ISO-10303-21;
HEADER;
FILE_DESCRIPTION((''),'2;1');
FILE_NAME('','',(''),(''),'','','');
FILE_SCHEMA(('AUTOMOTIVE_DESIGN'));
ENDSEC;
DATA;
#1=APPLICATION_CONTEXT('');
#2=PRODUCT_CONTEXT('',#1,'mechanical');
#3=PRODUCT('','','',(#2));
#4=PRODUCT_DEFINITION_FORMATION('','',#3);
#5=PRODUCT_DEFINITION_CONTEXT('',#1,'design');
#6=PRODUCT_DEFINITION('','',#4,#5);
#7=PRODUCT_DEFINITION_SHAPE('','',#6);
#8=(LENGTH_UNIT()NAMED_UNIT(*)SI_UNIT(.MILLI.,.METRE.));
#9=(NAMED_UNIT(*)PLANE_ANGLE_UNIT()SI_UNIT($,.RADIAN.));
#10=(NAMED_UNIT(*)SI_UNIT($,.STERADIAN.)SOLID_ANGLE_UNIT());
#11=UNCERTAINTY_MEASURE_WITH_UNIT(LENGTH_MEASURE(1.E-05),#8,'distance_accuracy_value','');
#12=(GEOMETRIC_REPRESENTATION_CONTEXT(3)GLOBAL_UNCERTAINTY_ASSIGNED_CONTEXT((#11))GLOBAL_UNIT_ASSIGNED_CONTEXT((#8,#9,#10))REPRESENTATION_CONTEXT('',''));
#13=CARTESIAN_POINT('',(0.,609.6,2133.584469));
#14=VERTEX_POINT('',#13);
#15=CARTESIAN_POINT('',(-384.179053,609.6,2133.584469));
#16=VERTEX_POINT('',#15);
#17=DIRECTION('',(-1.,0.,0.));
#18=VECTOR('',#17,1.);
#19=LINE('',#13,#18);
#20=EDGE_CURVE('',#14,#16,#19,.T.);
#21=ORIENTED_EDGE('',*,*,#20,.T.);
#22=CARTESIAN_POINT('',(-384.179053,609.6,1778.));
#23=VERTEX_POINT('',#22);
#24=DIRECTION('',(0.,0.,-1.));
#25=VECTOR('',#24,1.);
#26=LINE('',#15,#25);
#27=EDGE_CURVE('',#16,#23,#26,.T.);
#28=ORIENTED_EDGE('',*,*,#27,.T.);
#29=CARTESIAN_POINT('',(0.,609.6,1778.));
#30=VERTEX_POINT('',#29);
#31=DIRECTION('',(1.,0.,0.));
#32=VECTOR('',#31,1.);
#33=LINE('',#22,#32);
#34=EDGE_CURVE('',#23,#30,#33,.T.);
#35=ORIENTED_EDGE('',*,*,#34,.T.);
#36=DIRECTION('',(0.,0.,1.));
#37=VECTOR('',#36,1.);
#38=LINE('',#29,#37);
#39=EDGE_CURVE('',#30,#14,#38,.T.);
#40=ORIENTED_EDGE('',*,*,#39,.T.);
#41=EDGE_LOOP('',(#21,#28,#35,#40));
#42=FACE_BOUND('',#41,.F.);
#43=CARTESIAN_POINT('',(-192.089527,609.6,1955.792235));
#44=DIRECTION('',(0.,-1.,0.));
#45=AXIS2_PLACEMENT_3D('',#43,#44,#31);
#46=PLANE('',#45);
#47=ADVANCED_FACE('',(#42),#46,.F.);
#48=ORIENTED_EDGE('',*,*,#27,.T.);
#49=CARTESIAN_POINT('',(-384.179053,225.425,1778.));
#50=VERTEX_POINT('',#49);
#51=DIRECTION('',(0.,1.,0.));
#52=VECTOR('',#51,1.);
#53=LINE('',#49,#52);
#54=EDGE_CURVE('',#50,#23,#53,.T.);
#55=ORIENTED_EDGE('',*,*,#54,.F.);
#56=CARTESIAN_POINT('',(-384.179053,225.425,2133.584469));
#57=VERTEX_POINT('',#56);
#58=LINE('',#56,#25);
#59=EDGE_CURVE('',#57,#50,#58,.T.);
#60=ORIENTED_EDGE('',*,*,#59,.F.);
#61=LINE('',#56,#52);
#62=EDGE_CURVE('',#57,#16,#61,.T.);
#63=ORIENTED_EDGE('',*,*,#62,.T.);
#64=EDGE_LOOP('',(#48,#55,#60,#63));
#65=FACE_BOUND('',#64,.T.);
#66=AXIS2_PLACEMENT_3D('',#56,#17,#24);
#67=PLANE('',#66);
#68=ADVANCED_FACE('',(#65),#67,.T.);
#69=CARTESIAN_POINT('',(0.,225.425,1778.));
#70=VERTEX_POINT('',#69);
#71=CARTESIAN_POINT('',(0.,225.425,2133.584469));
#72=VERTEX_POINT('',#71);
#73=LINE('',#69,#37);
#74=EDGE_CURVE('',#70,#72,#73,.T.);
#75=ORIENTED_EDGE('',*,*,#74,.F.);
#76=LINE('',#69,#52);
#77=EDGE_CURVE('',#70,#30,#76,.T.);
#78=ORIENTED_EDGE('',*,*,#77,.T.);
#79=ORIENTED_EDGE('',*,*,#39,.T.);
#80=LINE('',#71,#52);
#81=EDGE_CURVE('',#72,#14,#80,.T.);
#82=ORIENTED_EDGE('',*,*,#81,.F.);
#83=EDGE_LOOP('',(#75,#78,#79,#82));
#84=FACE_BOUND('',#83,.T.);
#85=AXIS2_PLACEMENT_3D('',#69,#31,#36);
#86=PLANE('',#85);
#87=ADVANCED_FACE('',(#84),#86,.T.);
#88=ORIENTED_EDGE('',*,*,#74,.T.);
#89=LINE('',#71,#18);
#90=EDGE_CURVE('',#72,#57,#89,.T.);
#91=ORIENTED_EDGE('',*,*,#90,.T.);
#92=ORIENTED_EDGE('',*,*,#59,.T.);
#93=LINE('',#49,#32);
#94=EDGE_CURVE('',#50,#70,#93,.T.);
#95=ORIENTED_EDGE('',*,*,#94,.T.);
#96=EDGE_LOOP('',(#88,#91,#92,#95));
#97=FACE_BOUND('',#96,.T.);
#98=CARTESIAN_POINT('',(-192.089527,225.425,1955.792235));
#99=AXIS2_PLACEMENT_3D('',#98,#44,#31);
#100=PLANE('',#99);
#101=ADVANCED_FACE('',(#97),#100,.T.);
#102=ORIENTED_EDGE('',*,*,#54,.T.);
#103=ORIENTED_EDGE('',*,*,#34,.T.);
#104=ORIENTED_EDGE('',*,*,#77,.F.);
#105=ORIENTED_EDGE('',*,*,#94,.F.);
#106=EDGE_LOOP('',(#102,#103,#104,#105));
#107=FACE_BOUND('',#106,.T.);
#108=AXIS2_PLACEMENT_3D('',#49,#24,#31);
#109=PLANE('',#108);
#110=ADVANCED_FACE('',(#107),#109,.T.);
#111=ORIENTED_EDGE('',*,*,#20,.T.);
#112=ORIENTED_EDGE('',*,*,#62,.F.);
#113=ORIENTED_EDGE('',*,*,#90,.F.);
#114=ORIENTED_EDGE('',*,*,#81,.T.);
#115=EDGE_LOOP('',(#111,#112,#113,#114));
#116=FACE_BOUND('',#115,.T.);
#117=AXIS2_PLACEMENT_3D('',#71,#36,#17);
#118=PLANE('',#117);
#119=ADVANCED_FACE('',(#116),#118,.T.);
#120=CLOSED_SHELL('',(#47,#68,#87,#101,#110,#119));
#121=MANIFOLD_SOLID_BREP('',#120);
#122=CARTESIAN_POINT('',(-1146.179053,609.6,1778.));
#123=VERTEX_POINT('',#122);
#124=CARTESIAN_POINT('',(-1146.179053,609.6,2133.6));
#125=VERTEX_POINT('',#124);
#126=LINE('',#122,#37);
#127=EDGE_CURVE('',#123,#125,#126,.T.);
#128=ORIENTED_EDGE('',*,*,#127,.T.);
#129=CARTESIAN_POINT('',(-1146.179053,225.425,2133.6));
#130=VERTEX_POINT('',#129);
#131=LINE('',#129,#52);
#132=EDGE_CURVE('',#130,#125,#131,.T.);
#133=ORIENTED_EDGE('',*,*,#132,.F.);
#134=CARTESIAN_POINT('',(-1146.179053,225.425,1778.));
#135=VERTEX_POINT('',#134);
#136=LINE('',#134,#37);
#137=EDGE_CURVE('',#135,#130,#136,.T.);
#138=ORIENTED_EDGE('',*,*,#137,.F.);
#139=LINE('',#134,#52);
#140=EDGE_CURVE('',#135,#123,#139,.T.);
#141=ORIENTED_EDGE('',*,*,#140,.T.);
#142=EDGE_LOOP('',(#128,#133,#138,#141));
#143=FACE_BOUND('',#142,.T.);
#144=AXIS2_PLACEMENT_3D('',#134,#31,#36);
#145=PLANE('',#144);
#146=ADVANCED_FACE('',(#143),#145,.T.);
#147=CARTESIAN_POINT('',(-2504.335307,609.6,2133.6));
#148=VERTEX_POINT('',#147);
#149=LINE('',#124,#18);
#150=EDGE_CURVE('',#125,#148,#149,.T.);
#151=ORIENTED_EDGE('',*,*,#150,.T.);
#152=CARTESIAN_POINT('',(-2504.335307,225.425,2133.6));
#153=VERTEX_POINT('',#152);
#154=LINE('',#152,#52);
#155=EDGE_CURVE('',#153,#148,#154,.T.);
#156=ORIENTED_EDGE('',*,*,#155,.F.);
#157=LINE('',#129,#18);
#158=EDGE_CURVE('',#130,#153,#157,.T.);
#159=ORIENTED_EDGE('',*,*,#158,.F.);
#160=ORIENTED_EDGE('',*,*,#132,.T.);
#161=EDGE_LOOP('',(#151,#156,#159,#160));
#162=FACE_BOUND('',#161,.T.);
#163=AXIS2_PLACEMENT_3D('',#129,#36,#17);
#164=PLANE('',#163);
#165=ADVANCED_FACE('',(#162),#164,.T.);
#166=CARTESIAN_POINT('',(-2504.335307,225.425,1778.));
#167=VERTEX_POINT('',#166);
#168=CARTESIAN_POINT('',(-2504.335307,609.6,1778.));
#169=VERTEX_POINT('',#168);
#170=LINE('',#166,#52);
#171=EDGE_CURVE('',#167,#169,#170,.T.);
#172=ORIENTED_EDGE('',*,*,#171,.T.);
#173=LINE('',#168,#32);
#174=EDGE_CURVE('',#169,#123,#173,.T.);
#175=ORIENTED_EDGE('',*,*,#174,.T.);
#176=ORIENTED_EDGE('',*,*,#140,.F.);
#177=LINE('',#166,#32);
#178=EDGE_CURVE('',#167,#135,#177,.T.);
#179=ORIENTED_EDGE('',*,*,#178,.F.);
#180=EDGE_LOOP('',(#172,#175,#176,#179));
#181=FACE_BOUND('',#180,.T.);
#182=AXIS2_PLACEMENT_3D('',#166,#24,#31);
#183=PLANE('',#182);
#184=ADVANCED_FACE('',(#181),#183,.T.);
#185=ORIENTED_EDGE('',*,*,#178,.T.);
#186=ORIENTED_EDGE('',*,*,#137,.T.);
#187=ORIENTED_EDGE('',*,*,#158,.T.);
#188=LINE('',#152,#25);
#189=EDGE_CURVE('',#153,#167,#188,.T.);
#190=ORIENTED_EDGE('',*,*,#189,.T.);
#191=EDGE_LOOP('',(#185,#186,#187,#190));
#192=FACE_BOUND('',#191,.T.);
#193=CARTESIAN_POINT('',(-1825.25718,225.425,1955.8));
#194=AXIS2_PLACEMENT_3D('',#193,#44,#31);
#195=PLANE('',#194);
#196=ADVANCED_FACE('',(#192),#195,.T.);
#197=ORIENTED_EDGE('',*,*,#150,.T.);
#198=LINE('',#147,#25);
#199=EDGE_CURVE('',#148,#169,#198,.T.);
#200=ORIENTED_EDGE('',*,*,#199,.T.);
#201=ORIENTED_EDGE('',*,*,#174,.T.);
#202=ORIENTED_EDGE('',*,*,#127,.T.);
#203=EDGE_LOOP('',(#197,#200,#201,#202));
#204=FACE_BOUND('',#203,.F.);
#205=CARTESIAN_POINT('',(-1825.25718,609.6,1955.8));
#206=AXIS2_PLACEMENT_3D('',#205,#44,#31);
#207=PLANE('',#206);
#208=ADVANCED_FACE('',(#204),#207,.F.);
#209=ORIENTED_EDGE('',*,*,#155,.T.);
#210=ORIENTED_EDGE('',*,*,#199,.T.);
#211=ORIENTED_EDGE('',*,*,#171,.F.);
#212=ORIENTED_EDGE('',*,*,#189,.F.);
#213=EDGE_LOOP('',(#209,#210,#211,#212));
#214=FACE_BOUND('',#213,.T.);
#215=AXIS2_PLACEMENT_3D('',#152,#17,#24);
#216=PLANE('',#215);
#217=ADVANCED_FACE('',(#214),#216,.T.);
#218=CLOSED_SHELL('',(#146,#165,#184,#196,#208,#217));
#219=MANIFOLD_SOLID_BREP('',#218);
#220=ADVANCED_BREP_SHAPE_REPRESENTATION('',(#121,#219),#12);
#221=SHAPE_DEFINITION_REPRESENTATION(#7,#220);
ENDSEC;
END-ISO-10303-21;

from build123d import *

# Parameters (mm, degrees)
F1_START = -225.425
F1_DEPTH = 384.175


with BuildPart() as f1:
    # F0 (on Front) → F1 (new body)
    with BuildSketch(Plane.XZ.offset(F1_START)):
        Polygon((-1146.1790530003, 2133.6), (-2504.3353067553, 2133.6), (-2504.3353067553, 1778), (-1146.1790530003, 1778), (-1146.1790530003, 1955.8), align=None)
    extrude(amount=-F1_DEPTH)


with BuildPart() as f1b:
    # F0 (on Front) → F1, piece 2 (new body)
    with BuildSketch(Plane.XZ.offset(F1_START)):
        Polygon((0, 1778), (0, 2133.584469223), (-384.1790530003, 2133.584469223), (-384.1790530003, 1955.8), (-384.1790530003, 1778), align=None)
    extrude(amount=-F1_DEPTH)


solid = Compound([f1.part, f1b.part])
